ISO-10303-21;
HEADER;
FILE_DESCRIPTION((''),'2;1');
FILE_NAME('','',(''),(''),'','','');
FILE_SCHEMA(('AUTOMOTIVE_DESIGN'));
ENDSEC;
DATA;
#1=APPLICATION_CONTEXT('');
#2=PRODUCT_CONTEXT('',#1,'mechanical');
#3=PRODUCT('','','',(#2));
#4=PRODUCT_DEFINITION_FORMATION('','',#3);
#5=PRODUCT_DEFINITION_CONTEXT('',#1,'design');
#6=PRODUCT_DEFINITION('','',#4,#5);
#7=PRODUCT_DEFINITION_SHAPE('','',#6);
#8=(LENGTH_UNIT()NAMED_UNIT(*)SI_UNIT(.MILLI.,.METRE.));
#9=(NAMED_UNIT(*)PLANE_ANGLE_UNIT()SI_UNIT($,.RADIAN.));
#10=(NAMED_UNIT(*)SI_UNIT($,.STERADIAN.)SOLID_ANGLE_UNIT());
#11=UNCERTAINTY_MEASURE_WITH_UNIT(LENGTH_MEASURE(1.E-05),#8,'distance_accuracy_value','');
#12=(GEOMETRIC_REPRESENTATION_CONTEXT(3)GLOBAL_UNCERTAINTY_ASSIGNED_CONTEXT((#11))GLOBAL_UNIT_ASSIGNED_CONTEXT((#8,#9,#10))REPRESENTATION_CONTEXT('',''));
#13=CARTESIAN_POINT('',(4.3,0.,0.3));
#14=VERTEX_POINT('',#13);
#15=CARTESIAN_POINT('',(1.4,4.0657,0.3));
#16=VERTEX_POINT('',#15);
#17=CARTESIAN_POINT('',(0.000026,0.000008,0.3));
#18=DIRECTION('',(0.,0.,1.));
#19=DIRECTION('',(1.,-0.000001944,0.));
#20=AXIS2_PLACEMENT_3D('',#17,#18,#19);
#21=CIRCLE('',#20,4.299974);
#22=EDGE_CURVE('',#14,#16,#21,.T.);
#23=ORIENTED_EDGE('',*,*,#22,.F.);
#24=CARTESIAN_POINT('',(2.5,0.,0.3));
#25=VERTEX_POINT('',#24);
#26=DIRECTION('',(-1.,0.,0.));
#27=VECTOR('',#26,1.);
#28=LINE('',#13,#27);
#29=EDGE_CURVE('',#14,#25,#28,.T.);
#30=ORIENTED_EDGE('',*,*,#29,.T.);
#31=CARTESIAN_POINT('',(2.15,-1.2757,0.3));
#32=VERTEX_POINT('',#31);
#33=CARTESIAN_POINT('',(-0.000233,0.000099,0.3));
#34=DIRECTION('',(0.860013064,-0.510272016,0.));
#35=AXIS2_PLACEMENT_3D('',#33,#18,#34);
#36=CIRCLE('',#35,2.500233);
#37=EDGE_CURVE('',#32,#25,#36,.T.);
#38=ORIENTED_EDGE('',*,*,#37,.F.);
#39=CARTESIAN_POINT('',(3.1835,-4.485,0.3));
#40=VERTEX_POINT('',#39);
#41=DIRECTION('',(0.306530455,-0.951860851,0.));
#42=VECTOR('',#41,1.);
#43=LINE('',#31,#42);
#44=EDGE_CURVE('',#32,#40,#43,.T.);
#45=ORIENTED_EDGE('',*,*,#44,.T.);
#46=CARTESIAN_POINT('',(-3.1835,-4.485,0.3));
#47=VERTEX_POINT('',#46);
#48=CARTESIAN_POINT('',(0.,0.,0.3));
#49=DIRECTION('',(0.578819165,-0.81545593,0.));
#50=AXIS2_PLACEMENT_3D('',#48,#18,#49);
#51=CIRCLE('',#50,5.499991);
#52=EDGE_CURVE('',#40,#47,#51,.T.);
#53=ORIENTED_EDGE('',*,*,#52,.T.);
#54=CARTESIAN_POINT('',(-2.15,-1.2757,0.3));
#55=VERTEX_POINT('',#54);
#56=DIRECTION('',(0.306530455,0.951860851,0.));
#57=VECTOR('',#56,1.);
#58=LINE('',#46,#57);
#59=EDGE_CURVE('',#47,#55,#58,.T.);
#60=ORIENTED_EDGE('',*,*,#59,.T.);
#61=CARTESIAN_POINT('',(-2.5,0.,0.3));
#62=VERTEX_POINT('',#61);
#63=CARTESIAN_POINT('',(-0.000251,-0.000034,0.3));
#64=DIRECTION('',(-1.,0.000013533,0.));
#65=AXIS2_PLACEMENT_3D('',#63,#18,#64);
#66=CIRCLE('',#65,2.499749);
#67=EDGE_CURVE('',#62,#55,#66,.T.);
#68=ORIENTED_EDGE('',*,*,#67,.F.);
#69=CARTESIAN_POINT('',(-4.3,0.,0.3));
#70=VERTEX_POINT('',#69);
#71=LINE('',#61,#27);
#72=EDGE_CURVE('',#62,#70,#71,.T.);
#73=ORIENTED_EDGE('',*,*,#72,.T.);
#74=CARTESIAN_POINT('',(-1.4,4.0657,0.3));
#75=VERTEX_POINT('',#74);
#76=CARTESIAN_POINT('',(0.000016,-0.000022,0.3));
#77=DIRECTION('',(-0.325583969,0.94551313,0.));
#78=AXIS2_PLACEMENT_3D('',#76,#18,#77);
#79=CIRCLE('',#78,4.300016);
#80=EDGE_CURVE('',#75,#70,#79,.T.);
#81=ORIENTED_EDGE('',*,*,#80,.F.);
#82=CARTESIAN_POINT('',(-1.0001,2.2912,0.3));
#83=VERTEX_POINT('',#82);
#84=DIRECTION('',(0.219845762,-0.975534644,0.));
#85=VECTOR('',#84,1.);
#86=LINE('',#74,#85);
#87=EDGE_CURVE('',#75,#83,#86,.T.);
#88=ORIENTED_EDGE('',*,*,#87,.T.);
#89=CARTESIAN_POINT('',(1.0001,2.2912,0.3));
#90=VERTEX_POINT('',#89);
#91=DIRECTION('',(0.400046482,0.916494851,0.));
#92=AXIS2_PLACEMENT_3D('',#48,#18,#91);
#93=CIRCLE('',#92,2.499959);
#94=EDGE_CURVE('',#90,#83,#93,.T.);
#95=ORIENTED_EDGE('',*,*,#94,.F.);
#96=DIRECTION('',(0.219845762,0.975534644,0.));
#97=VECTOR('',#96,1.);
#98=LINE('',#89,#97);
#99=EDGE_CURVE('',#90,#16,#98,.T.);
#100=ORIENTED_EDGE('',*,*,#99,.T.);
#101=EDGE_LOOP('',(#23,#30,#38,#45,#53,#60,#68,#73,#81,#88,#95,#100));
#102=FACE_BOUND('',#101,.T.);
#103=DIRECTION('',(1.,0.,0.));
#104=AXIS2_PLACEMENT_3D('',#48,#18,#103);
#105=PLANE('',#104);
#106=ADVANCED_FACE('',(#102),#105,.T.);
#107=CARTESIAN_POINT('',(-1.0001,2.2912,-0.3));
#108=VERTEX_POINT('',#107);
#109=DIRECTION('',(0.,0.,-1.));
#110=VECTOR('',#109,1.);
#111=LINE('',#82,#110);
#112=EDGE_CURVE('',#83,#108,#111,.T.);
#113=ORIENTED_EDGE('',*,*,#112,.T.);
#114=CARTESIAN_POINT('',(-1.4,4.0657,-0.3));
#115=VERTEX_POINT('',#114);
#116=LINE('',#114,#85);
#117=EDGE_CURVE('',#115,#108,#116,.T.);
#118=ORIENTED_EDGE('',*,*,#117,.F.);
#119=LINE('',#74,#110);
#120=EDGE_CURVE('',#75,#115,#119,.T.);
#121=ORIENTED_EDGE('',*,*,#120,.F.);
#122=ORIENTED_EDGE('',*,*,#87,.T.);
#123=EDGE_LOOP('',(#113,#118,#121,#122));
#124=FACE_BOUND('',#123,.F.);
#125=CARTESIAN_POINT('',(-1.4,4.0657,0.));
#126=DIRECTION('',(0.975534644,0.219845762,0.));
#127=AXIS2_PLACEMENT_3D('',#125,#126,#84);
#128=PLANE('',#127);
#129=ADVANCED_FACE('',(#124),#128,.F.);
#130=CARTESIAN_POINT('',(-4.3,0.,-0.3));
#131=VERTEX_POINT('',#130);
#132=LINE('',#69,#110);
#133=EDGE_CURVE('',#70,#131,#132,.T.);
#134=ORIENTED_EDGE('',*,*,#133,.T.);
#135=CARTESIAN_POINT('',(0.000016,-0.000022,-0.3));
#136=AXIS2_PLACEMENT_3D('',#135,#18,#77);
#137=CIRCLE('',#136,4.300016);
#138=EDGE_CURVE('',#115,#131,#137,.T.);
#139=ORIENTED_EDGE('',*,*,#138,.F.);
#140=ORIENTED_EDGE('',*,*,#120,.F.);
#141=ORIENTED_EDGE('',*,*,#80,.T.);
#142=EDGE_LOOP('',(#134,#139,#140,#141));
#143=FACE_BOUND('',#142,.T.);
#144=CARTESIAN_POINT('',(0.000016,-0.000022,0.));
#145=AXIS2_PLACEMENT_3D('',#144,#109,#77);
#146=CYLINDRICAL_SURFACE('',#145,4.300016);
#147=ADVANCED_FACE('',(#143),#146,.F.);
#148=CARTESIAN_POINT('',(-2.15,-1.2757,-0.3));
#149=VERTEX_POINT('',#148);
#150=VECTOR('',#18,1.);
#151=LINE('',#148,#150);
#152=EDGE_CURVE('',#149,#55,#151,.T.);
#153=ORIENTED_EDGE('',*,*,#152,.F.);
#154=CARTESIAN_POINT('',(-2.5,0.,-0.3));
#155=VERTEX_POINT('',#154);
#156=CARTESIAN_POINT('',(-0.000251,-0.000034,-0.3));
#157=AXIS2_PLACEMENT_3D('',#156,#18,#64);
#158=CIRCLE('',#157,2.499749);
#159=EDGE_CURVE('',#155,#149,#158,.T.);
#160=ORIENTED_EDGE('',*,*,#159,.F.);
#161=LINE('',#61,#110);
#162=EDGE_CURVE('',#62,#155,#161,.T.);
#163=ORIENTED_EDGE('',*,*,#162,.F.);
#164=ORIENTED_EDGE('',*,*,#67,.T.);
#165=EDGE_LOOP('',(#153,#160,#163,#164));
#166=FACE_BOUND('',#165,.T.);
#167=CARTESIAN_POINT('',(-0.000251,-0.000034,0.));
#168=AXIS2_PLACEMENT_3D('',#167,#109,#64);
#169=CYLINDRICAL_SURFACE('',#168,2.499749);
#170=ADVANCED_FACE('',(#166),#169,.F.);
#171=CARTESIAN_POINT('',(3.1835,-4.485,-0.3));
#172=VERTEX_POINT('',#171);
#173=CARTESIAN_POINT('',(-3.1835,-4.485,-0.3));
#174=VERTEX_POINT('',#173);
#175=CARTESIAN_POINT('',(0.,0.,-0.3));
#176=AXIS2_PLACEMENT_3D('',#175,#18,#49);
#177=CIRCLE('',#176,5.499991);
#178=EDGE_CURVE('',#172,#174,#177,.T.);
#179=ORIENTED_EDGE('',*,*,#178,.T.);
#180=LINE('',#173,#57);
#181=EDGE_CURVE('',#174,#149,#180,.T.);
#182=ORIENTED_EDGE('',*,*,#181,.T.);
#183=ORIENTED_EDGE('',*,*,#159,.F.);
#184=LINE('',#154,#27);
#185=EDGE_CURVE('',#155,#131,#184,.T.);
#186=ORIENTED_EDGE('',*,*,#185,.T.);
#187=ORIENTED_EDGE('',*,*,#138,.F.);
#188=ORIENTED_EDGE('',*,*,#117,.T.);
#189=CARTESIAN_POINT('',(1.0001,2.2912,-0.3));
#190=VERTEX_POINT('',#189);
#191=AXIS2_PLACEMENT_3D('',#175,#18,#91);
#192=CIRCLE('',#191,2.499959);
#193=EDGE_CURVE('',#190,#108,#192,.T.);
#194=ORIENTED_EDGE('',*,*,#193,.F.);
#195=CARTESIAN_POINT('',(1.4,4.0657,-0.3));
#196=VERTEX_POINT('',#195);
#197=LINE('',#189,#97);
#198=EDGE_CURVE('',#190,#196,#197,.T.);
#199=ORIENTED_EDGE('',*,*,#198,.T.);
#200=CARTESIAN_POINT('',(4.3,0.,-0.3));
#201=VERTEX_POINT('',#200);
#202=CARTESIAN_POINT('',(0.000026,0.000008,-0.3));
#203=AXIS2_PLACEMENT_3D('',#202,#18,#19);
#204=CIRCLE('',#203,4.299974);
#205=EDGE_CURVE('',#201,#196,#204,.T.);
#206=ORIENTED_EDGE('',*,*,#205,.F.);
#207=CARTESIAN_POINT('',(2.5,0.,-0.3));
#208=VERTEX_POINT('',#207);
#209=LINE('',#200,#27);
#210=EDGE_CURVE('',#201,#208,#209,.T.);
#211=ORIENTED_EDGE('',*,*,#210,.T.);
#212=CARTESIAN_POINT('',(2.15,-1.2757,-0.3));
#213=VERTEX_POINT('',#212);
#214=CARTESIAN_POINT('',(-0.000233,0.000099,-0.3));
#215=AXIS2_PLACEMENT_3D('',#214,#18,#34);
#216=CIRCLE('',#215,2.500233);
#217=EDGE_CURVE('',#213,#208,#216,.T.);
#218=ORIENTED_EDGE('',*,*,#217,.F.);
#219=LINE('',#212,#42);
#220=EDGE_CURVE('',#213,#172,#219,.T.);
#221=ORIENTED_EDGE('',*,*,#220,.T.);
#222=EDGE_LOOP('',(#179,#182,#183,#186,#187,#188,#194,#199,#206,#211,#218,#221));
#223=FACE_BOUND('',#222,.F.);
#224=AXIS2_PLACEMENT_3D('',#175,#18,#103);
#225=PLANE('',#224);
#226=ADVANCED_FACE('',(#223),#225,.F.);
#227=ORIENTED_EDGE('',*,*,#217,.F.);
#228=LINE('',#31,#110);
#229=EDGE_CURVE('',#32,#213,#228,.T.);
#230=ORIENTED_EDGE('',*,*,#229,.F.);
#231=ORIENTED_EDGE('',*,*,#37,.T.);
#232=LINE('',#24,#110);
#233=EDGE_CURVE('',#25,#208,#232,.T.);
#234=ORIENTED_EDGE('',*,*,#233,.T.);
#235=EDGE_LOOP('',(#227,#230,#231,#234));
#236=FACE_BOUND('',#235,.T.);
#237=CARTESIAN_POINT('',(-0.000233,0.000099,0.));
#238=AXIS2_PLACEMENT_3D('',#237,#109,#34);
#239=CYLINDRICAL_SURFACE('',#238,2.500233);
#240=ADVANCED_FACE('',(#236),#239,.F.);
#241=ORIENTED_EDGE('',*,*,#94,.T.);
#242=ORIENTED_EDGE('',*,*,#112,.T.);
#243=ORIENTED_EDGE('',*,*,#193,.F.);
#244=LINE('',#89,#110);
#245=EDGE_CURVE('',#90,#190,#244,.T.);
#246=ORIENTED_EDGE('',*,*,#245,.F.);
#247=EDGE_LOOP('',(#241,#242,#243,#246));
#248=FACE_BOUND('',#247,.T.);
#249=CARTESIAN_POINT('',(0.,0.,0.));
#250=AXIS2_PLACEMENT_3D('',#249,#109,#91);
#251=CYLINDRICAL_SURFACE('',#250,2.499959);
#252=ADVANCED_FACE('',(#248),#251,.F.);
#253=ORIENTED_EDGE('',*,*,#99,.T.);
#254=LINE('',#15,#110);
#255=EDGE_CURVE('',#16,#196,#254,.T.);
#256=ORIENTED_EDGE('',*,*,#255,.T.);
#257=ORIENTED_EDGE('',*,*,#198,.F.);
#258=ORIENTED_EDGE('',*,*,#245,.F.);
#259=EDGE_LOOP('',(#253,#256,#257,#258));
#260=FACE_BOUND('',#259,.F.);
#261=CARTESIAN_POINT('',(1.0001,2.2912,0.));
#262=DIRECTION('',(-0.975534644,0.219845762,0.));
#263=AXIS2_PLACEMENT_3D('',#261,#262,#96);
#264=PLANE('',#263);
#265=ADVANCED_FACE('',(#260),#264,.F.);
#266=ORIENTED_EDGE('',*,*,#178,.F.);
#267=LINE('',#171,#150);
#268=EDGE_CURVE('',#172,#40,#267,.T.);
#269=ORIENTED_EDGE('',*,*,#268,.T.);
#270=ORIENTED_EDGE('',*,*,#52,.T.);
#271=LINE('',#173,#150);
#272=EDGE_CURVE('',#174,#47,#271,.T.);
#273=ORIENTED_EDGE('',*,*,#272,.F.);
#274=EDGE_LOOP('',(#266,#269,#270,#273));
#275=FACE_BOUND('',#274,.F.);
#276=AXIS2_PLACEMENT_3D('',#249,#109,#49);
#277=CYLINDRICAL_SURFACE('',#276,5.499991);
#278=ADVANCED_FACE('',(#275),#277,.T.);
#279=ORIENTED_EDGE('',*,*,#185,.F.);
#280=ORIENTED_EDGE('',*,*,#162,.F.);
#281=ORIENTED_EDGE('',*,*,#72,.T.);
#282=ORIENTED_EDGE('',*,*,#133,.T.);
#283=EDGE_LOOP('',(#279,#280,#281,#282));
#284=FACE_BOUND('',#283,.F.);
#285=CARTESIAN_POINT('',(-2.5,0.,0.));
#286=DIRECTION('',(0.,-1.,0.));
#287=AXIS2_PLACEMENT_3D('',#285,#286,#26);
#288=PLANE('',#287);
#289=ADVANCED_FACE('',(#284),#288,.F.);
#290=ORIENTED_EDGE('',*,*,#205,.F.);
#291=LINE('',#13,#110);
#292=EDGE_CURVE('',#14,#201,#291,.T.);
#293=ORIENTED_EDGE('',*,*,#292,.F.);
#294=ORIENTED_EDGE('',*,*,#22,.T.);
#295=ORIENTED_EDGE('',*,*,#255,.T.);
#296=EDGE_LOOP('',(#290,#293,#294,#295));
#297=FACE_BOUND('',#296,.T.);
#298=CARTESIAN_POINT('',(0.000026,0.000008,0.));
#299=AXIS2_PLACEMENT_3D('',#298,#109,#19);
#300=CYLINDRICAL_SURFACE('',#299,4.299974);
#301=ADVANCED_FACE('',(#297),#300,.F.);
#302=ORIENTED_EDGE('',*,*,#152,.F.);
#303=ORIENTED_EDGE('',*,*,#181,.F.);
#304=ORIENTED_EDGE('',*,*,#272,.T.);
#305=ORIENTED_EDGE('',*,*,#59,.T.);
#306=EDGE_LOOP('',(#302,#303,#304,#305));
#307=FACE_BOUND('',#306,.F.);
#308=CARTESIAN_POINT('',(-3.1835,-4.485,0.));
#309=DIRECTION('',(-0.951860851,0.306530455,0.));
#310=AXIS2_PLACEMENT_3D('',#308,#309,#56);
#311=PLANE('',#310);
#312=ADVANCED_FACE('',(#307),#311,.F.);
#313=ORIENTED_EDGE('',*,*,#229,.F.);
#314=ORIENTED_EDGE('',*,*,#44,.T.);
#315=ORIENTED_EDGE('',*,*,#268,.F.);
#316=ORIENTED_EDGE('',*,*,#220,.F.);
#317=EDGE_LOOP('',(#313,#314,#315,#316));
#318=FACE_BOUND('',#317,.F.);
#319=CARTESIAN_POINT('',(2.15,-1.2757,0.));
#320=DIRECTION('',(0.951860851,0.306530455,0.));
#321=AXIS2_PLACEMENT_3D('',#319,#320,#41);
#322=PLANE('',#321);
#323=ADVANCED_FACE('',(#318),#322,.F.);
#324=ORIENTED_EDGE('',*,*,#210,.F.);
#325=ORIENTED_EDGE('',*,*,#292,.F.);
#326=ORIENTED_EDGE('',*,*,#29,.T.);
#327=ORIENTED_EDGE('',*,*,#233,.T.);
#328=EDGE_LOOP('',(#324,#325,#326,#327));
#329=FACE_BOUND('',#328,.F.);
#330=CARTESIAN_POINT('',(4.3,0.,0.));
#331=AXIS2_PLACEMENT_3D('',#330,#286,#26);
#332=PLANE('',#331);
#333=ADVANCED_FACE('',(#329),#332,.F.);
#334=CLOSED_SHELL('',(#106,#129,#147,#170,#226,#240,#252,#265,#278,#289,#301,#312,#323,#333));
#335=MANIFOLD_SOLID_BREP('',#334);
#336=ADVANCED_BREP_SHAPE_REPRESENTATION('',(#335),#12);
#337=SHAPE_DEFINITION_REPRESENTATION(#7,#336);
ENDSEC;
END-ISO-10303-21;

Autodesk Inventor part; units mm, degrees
sketch "Sketch_1" plane through (0, 0, 0) normal (0, 0, 1) x (1, 0, 0)
  arc A0 (3.1835, -4.485) -> (-3.1835, -4.485) centre (0, 0) ccw
  line L0 (-3.1835, -4.485) -> (-2.15, -1.2757)
  arc A1 (-2.5, 0) -> (-2.15, -1.2757) centre (0, 0) ccw
  line L1 (-2.5, 0) -> (-4.3, 0)
  arc A2 (-1.4, 4.0657) -> (-4.3, 0) centre (0, 0) ccw
  line L2 (-1.4, 4.0657) -> (-1.0001, 2.2912)
  arc A3 (1.0001, 2.2912) -> (-1.0001, 2.2912) centre (0, 0) ccw
  line L3 (1.0001, 2.2912) -> (1.4, 4.0657)
  arc A4 (4.3, 0) -> (1.4, 4.0657) centre (0, 0) ccw
  line L4 (4.3, 0) -> (2.5, 0)
  arc A5 (2.15, -1.2757) -> (2.5, 0) centre (0, 0) ccw
  line L5 (2.15, -1.2757) -> (3.1835, -4.485)
extrude "Extrusion1" add sketch "Sketch_1" along normal mid plane 0.6
ref_plane "COMBINATION_MODULE_XY" through (0, 0, 0.3) normal (0, 0, 1) x (1, 0, 0)
ref_plane "COMBINATION_MODULE_YZ" through (0, 0, 0.3) normal (1, 0, 0) x (0, 1, 0)
ref_plane "COMBINATION_MODULE_ZX" through (0, 0, 0.3) normal (0, 1, 0) x (0, 0, 1)
ref_plane "ring_to_screw_XY" through (0, 0, 0) normal (0, 0, 1) x (1, 0, 0)
ref_plane "ring_to_screw_YZ" through (0, 0, 0) normal (1, 0, 0) x (0, 1, 0)
ref_plane "ring_to_screw_ZX" through (0, 0, 0) normal (0, 1, 0) x (0, 0, 1)
properties part number "NETW5"
